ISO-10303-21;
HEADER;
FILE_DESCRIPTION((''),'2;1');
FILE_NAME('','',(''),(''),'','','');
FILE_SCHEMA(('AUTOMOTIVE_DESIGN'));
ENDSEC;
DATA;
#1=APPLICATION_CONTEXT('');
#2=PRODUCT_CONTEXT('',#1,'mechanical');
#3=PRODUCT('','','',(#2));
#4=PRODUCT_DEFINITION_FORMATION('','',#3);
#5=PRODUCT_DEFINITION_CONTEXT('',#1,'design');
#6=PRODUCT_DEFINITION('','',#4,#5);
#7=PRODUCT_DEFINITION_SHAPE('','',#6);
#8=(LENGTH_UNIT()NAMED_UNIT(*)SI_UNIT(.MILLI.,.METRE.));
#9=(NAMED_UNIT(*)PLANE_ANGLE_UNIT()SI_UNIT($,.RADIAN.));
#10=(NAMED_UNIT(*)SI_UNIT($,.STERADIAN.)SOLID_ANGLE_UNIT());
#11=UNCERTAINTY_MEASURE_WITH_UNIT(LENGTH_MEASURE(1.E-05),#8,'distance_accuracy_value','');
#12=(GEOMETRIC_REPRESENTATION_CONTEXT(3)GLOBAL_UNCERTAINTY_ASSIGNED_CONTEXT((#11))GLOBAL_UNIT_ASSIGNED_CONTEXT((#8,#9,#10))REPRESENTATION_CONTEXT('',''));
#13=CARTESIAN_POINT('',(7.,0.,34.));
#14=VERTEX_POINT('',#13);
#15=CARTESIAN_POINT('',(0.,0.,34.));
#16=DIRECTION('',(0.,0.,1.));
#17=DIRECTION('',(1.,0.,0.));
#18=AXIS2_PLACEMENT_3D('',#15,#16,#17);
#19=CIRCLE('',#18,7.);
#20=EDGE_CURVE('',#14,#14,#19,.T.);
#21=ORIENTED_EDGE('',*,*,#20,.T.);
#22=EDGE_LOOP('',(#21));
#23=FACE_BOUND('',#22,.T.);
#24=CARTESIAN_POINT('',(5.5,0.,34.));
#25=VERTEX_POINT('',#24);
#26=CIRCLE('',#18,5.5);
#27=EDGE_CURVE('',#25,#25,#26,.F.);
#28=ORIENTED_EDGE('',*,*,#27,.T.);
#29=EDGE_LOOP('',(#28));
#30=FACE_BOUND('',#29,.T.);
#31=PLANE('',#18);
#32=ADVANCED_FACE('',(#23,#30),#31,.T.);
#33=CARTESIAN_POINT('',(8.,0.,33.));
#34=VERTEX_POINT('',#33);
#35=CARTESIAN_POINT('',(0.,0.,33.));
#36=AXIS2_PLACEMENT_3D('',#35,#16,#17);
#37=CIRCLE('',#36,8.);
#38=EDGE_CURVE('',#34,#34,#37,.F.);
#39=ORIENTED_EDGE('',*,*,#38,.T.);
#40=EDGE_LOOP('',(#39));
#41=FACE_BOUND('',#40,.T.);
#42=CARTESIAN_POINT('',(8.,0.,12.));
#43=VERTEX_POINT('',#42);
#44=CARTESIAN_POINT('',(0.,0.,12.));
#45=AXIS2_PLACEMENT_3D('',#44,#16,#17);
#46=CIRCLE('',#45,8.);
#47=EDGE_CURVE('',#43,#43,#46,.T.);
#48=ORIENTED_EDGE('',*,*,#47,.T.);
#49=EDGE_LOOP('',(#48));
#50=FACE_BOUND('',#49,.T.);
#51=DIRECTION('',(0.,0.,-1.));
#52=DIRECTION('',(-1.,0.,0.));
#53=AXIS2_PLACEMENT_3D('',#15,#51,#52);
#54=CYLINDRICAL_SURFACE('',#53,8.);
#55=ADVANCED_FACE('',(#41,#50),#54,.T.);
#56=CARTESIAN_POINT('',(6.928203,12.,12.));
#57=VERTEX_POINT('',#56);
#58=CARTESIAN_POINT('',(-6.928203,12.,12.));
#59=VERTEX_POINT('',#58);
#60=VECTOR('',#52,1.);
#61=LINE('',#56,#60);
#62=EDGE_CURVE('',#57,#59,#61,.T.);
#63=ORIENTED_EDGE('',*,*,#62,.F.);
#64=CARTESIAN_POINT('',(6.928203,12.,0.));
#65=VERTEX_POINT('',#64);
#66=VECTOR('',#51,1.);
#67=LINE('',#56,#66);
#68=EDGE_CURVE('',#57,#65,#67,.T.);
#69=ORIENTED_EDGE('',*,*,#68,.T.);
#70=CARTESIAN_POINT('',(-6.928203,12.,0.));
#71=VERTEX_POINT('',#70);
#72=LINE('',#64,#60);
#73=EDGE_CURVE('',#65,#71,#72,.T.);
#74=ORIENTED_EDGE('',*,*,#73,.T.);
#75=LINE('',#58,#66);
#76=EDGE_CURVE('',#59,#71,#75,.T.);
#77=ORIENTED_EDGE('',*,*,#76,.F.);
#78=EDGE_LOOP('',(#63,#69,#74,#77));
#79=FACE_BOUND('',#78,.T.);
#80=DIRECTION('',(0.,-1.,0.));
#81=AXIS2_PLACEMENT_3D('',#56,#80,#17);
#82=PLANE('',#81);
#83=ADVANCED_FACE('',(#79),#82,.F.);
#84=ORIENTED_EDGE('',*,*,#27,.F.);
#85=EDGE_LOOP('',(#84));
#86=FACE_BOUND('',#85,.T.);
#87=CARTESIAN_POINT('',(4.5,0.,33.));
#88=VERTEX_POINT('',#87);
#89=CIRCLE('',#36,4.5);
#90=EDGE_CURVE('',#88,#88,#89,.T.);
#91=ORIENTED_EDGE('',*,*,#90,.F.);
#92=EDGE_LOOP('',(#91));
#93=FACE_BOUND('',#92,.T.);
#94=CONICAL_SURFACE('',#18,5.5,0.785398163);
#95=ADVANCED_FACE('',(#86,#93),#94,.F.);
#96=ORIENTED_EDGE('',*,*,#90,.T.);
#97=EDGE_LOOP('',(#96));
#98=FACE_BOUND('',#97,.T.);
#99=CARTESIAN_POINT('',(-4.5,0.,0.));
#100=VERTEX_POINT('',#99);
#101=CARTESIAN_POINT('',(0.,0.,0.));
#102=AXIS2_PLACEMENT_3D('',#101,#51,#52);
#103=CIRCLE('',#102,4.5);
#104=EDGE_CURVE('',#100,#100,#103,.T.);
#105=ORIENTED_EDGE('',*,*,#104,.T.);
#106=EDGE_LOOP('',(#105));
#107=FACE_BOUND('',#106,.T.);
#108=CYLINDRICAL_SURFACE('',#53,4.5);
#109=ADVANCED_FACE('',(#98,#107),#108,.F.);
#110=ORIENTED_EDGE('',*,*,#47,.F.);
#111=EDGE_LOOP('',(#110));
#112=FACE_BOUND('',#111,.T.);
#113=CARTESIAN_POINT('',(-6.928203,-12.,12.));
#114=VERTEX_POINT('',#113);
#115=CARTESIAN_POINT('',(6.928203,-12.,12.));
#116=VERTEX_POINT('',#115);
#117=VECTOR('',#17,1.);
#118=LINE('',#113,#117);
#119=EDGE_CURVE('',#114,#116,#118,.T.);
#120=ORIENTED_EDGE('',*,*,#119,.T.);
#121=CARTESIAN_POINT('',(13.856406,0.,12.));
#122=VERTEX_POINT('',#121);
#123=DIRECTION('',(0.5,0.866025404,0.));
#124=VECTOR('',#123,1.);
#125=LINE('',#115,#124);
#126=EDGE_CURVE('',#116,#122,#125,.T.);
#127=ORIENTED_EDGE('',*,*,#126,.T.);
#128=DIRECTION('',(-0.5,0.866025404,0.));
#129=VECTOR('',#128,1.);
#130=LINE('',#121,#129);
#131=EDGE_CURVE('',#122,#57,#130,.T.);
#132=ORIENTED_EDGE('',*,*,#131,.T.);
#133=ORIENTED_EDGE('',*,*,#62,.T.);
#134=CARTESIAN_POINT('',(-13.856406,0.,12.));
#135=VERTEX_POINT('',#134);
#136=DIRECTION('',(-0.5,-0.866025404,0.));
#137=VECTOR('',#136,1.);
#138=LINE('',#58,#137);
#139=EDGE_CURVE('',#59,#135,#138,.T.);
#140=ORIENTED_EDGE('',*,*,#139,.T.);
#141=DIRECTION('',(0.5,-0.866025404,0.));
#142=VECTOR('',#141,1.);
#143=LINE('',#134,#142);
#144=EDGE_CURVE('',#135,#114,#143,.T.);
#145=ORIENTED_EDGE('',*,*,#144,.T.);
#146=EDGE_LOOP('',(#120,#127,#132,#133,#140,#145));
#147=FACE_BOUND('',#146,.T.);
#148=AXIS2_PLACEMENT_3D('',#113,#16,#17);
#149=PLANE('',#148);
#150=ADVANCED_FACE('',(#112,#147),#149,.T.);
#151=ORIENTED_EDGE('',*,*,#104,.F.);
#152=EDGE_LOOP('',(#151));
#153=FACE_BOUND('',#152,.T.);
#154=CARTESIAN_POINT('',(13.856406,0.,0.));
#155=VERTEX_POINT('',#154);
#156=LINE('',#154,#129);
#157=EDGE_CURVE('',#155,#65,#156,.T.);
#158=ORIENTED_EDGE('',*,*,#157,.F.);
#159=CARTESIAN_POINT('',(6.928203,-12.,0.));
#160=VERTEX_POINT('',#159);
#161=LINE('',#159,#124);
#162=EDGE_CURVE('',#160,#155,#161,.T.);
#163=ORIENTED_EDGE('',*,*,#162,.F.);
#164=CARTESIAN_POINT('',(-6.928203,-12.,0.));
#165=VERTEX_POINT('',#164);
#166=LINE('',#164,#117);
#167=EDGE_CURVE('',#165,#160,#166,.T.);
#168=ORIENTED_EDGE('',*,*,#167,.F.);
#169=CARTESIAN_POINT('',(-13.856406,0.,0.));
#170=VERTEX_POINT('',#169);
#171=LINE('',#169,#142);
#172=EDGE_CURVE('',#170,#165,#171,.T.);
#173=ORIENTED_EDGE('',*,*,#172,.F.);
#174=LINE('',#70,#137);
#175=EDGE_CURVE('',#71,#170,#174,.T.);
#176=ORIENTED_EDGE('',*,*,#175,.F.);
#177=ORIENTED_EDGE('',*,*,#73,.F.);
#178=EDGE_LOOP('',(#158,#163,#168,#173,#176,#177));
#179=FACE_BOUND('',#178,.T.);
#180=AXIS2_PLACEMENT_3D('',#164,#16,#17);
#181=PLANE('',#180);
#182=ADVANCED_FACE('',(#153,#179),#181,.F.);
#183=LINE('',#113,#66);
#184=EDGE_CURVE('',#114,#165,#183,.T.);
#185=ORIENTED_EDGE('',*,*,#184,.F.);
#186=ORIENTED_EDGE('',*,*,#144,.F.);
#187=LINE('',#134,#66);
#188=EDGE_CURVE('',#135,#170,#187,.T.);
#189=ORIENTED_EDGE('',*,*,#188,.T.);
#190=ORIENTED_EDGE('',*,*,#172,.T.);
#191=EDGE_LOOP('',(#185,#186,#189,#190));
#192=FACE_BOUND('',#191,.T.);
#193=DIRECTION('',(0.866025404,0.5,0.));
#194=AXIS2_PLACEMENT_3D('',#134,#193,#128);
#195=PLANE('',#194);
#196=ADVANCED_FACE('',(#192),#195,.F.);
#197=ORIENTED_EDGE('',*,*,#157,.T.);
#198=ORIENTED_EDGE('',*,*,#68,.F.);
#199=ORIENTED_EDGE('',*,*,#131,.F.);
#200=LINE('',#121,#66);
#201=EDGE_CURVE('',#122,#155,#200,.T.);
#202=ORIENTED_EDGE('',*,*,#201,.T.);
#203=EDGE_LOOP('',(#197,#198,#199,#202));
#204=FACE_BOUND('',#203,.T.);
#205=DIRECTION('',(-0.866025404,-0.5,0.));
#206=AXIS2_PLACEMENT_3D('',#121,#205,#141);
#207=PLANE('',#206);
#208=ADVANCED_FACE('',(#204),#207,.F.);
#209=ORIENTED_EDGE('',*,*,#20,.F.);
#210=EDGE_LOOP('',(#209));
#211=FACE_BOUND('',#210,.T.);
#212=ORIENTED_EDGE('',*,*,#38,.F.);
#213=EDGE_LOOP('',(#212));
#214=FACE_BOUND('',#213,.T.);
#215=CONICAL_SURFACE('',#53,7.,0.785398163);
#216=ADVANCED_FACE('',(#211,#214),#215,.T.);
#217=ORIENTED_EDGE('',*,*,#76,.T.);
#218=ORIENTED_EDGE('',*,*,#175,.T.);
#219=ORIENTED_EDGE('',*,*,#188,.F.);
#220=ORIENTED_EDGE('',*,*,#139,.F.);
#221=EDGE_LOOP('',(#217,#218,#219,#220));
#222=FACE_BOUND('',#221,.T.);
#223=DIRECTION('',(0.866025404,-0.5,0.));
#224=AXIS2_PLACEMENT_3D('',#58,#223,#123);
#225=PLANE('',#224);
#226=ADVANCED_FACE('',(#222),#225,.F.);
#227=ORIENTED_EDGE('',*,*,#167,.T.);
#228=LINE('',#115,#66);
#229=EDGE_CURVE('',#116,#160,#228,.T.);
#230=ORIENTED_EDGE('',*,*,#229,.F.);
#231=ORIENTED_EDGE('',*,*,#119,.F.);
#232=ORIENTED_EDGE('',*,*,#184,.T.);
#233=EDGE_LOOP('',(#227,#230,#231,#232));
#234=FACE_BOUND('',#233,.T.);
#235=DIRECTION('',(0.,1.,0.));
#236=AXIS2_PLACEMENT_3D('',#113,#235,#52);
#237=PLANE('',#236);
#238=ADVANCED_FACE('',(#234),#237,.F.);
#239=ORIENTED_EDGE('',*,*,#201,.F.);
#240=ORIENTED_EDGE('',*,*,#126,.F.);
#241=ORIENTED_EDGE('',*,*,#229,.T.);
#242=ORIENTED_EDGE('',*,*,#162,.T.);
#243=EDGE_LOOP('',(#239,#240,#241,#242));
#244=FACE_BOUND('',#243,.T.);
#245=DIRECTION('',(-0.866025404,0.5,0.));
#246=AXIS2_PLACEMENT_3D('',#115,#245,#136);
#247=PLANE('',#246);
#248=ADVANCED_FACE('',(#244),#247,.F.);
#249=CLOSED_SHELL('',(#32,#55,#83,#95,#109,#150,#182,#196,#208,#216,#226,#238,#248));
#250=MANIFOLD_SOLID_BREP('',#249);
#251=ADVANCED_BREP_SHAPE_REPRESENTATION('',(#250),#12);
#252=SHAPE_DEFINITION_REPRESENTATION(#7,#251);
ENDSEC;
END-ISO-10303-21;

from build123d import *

# Parameters (mm, degrees)
EXTRUDE_1_DEPTH     = 12
SKETCH_2_R          = 8
EXTRUDE_2_DEPTH     = 22
SKETCH_3_R          = 4.5
CUT_EXTRUDE_3_DEPTH = 39.626415832
CHAMFER_1_SIZE      = 1
CHAMFER_2_SIZE      = 1


with BuildPart() as part:
    # 草图1 → 拉伸1 (new body)
    with BuildSketch(Plane.XY):
        Polygon((-6.92820323, -12), (6.92820323, -12), (13.856406461, 0), (6.92820323, 12), (-6.92820323, 12), (-13.856406461, 0), align=None)
    extrude(amount=EXTRUDE_1_DEPTH)

    # 草图2 → 拉伸2 (add)
    with BuildSketch(Plane.XY.offset(12)):
        Circle(SKETCH_2_R)
    extrude(amount=EXTRUDE_2_DEPTH)

    # 草图3 → 拉伸3 (cut, through all)
    with BuildSketch(Plane(origin=(0, 0, 0), x_dir=(-1, 0, 0), z_dir=(0, 0, -1))):
        Circle(SKETCH_3_R)
    extrude(amount=-CUT_EXTRUDE_3_DEPTH, mode=Mode.SUBTRACT)

    # 倒角1
    chamfer_1_edges = [part.edges().sort_by_distance(p)[0] for p in [
        (-8, 0, 34),
    ]]
    chamfer(chamfer_1_edges, length=CHAMFER_1_SIZE)

    # 倒角2
    chamfer_2_edges = [part.edges().sort_by_distance(p)[0] for p in [
        (4.5, 0, 34),
    ]]
    chamfer(chamfer_2_edges, length=CHAMFER_2_SIZE)


solid = part.part
